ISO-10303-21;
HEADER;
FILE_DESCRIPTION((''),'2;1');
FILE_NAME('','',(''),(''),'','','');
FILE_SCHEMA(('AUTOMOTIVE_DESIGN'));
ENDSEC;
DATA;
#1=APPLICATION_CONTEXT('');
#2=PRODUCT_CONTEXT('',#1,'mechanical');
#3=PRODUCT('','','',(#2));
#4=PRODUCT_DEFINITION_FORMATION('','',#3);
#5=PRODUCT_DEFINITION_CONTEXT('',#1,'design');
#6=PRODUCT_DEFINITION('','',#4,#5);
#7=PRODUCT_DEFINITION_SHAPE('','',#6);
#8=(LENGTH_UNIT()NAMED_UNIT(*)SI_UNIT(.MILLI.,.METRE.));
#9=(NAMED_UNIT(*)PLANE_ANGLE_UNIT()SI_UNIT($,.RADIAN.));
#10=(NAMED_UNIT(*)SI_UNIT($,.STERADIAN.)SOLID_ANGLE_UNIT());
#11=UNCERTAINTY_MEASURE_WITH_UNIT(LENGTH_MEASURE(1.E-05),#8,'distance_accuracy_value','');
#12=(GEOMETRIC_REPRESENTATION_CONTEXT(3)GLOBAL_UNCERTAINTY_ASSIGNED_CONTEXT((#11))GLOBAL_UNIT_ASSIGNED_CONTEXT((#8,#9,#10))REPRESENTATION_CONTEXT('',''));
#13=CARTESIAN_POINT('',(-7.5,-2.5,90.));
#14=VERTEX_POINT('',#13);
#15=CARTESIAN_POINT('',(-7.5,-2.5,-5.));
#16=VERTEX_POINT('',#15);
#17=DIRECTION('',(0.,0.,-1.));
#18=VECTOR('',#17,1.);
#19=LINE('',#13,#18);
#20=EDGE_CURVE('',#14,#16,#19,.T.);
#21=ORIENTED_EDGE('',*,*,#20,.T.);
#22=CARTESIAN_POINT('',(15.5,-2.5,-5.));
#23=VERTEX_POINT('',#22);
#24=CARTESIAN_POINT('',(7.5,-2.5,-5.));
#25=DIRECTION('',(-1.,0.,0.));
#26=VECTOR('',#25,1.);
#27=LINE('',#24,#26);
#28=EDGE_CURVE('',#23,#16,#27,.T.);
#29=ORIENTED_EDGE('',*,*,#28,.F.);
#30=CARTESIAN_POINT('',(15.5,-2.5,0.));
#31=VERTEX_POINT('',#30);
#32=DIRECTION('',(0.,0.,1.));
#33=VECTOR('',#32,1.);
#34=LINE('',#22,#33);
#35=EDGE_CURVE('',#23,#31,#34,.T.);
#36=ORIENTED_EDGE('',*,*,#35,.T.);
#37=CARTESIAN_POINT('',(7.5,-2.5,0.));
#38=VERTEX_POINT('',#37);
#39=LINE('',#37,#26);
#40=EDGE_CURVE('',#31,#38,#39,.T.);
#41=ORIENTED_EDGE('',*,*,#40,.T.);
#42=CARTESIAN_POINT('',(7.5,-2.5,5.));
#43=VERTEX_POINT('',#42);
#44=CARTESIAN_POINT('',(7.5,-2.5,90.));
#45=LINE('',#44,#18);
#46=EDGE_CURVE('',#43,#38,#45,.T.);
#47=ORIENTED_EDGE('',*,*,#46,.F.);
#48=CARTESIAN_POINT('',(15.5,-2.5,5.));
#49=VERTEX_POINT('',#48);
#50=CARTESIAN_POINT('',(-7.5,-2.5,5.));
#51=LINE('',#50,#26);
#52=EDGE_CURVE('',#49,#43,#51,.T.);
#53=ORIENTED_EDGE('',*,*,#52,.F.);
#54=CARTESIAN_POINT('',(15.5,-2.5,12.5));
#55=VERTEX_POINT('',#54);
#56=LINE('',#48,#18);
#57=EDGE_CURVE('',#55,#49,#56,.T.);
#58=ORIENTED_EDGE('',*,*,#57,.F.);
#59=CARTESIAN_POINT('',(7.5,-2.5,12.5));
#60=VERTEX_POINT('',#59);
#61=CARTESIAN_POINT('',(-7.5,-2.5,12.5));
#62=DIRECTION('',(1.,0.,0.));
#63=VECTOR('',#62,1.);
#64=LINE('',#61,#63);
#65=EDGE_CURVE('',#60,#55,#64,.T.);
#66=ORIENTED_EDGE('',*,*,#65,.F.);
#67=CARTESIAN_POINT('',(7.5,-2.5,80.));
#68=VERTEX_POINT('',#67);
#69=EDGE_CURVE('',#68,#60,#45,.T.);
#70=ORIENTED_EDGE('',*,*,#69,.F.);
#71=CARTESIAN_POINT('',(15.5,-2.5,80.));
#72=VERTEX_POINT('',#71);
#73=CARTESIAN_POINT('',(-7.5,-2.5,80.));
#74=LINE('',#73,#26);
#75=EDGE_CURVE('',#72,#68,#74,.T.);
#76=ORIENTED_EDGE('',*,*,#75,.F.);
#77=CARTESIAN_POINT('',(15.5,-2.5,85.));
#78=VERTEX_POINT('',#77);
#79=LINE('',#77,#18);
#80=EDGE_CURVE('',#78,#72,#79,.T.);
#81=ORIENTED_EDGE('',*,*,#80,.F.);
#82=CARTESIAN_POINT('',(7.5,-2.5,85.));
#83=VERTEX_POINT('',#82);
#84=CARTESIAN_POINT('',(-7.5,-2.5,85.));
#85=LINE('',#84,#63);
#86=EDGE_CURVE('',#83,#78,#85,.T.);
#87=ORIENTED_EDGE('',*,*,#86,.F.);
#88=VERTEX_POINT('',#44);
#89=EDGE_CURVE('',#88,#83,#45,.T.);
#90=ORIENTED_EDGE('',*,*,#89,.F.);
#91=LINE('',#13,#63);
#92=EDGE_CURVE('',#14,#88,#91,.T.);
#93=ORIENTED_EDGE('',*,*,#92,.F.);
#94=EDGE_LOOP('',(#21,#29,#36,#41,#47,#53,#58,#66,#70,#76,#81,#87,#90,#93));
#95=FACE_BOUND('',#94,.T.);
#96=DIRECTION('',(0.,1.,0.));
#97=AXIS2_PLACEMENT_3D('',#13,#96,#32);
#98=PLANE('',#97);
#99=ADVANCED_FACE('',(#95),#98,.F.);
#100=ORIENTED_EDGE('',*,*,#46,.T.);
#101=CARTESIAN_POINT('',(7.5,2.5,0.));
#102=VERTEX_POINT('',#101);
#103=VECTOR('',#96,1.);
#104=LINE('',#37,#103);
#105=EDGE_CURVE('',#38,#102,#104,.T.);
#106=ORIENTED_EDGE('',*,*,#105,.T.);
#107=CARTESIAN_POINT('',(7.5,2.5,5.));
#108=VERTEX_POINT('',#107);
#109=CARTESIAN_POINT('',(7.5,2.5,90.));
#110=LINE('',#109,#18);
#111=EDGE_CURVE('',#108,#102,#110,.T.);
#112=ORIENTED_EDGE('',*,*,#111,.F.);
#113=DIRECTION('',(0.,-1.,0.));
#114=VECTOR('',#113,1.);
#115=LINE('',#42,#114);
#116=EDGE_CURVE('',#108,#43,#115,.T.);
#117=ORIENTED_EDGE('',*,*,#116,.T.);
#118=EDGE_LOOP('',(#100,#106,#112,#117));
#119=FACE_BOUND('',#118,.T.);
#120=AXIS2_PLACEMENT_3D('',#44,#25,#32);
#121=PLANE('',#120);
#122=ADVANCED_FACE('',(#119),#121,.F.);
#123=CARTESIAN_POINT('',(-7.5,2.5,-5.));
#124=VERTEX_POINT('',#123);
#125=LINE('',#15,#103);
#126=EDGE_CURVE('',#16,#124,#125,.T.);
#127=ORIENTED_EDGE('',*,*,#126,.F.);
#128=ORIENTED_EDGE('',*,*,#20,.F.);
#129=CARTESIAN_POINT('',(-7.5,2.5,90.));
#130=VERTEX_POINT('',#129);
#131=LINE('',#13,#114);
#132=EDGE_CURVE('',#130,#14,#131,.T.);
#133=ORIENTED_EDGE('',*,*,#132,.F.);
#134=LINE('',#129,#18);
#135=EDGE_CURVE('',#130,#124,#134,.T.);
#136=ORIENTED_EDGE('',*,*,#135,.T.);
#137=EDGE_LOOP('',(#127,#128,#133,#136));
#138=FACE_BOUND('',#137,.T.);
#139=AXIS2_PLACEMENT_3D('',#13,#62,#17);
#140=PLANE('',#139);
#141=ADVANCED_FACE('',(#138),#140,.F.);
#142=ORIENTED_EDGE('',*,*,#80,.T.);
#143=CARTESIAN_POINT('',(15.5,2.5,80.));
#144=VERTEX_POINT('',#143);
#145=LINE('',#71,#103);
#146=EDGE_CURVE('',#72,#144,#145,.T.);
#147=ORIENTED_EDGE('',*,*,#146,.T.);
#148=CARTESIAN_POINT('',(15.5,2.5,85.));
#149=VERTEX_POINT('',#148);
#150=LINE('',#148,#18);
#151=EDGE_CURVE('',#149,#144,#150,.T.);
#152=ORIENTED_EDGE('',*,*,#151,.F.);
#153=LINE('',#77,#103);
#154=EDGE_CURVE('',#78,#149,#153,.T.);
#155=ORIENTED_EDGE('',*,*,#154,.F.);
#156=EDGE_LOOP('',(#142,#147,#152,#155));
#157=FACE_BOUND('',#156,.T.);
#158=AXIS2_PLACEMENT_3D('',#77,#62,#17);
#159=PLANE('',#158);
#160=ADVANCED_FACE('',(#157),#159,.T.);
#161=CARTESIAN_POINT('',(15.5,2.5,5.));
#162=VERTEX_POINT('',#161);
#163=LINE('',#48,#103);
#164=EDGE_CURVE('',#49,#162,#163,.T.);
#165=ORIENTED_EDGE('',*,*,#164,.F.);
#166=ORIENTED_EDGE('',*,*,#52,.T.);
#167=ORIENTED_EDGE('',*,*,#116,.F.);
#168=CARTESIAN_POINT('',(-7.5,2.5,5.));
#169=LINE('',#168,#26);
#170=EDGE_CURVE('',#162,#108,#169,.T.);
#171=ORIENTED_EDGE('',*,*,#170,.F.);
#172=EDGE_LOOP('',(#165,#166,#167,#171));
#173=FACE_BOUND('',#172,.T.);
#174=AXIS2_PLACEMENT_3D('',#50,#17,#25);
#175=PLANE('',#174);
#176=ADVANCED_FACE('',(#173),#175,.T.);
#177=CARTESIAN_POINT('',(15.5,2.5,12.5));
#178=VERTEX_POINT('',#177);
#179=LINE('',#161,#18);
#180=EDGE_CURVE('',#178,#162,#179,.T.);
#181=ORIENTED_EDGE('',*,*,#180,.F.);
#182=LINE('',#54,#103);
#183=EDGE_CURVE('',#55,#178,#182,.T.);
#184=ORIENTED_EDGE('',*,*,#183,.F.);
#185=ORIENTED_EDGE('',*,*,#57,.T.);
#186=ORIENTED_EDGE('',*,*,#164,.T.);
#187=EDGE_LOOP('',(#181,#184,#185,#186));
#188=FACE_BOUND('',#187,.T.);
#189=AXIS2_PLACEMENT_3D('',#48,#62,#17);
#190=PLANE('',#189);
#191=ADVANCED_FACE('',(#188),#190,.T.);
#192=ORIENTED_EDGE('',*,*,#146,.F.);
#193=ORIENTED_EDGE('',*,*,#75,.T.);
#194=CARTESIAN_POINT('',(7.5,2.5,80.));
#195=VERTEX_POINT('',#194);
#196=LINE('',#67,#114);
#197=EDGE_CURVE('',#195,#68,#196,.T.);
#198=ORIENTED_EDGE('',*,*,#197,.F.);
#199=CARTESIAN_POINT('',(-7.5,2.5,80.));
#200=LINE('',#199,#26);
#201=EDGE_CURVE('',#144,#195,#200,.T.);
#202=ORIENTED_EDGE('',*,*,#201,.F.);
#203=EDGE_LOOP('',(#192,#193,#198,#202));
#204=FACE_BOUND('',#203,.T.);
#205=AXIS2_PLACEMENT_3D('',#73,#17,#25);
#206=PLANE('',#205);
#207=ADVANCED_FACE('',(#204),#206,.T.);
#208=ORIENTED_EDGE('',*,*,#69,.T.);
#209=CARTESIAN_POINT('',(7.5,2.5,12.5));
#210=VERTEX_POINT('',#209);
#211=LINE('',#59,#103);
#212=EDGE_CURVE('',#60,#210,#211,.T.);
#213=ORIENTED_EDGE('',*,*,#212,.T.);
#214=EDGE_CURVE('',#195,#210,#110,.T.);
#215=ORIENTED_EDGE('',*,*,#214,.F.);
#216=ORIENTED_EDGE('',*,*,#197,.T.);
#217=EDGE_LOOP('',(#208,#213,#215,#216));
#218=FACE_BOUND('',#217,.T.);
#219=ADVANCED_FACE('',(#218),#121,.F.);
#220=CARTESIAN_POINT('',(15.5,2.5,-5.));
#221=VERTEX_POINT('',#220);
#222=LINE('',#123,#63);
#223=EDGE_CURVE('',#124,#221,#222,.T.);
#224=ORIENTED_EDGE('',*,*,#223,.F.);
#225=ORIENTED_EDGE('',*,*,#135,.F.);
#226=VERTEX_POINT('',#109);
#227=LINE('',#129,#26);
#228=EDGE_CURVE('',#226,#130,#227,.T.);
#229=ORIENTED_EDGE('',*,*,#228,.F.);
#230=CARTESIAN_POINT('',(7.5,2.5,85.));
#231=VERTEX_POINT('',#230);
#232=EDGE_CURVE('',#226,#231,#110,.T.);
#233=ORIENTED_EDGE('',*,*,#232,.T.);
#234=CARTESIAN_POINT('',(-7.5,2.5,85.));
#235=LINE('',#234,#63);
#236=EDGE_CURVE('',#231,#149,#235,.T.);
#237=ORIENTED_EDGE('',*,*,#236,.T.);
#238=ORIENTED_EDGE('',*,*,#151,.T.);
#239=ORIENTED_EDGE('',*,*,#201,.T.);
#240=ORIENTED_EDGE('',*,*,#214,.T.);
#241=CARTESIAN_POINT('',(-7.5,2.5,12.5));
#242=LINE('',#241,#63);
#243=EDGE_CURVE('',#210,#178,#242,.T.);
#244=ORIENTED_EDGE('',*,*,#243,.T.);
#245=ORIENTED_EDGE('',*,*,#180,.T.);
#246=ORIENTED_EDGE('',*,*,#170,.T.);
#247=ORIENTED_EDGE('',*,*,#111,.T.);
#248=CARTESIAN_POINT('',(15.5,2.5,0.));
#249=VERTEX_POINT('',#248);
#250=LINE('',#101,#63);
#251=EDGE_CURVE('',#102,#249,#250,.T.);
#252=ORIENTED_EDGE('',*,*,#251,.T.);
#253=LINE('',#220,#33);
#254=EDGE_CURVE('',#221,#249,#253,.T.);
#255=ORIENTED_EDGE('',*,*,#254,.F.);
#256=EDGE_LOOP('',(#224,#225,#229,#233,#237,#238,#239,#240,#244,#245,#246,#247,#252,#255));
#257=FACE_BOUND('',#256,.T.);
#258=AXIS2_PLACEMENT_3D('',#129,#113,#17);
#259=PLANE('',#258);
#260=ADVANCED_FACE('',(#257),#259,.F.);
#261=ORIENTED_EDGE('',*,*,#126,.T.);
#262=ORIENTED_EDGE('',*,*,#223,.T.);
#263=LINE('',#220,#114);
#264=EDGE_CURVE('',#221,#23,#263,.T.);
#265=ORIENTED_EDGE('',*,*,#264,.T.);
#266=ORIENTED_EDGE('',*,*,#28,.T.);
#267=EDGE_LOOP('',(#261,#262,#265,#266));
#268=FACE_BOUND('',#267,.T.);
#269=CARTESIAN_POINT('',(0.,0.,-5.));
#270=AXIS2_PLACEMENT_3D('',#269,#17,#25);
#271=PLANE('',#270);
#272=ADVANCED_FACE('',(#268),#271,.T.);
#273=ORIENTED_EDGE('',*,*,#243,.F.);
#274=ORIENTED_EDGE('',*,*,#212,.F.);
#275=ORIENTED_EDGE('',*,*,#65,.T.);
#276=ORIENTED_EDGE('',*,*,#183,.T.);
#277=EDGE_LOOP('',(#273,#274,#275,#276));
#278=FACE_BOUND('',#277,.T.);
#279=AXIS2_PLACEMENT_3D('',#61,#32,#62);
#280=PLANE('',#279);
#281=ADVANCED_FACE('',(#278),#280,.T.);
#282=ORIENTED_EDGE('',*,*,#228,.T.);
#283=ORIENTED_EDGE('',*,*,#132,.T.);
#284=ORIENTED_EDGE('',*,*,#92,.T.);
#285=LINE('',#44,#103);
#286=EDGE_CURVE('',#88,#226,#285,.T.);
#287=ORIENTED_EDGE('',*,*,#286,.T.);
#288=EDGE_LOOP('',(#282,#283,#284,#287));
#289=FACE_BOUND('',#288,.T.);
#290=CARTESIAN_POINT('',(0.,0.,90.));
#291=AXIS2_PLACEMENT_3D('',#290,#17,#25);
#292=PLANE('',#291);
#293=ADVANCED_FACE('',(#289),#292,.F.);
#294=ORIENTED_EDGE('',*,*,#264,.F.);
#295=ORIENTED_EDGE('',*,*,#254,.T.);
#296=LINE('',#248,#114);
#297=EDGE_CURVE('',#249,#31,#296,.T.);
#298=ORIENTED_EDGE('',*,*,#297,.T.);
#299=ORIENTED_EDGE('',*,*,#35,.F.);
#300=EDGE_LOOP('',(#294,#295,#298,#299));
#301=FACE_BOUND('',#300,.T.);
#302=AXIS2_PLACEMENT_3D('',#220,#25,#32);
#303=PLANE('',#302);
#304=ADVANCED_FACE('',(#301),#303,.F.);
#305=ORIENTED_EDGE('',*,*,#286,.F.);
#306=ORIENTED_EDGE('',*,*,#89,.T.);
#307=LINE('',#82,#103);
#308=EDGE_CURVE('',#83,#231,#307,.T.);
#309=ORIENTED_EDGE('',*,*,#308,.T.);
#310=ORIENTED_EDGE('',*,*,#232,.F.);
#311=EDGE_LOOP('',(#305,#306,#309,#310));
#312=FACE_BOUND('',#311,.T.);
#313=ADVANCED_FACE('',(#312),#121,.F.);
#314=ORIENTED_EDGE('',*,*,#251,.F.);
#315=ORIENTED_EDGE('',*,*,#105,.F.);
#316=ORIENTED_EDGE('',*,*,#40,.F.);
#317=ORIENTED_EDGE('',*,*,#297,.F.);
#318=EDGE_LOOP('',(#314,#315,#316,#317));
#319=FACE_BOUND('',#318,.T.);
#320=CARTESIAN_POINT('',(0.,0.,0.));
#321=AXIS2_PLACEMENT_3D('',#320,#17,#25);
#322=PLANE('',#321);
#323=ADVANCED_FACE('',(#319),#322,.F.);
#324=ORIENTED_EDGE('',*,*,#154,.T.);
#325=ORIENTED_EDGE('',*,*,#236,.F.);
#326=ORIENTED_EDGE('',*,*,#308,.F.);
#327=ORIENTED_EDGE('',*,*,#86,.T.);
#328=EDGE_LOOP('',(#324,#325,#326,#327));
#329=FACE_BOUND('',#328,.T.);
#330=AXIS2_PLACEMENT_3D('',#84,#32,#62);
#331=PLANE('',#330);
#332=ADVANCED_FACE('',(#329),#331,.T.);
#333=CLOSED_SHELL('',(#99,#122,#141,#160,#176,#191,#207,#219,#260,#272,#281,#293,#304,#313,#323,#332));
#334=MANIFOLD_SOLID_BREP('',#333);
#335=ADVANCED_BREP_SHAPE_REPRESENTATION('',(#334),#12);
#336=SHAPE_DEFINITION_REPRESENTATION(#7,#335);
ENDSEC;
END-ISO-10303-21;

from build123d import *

# Parameters (mm, degrees)
CROQUIS1_W              = 15
CROQUIS1_H              = 5
SALIENTE_EXTRUIR1_DEPTH = 90
SALIENTE_EXTRUIR2_DEPTH = 5
CROQUIS3_W              = 23
CROQUIS3_H              = 7.5
CROQUIS3_H_2            = 5
SALIENTE_EXTRUIR3_DEPTH = 5


with BuildPart() as part:
    # Croquis1 → Saliente-Extruir1 (new body)
    with BuildSketch(Plane.XY):
        Rectangle(CROQUIS1_W, CROQUIS1_H)
    extrude(amount=SALIENTE_EXTRUIR1_DEPTH)

    # Croquis2 → Saliente-Extruir2 (add)
    with BuildSketch(Plane(origin=(0, 0, 0), x_dir=(-1, 0, 0), z_dir=(0, 0, -1))):
        Polygon((-7.5, 2.5), (-15.5, 2.5), (-15.5, -2.5), (-7.5, -2.5), (7.5, -2.5), (7.5, 2.5), align=None)
    extrude(amount=SALIENTE_EXTRUIR2_DEPTH)

    # Croquis3 → Saliente-Extruir3 (add)
    with BuildSketch(Plane(origin=(0, 2.5, 0), x_dir=(1, 0, 0), z_dir=(0, 1, 0))):
        with Locations((4, -8.75)):
            Rectangle(CROQUIS3_W, CROQUIS3_H)
        with Locations((4, -82.5)):
            Rectangle(CROQUIS3_W, CROQUIS3_H_2)
    extrude(amount=-SALIENTE_EXTRUIR3_DEPTH)


solid = part.part
